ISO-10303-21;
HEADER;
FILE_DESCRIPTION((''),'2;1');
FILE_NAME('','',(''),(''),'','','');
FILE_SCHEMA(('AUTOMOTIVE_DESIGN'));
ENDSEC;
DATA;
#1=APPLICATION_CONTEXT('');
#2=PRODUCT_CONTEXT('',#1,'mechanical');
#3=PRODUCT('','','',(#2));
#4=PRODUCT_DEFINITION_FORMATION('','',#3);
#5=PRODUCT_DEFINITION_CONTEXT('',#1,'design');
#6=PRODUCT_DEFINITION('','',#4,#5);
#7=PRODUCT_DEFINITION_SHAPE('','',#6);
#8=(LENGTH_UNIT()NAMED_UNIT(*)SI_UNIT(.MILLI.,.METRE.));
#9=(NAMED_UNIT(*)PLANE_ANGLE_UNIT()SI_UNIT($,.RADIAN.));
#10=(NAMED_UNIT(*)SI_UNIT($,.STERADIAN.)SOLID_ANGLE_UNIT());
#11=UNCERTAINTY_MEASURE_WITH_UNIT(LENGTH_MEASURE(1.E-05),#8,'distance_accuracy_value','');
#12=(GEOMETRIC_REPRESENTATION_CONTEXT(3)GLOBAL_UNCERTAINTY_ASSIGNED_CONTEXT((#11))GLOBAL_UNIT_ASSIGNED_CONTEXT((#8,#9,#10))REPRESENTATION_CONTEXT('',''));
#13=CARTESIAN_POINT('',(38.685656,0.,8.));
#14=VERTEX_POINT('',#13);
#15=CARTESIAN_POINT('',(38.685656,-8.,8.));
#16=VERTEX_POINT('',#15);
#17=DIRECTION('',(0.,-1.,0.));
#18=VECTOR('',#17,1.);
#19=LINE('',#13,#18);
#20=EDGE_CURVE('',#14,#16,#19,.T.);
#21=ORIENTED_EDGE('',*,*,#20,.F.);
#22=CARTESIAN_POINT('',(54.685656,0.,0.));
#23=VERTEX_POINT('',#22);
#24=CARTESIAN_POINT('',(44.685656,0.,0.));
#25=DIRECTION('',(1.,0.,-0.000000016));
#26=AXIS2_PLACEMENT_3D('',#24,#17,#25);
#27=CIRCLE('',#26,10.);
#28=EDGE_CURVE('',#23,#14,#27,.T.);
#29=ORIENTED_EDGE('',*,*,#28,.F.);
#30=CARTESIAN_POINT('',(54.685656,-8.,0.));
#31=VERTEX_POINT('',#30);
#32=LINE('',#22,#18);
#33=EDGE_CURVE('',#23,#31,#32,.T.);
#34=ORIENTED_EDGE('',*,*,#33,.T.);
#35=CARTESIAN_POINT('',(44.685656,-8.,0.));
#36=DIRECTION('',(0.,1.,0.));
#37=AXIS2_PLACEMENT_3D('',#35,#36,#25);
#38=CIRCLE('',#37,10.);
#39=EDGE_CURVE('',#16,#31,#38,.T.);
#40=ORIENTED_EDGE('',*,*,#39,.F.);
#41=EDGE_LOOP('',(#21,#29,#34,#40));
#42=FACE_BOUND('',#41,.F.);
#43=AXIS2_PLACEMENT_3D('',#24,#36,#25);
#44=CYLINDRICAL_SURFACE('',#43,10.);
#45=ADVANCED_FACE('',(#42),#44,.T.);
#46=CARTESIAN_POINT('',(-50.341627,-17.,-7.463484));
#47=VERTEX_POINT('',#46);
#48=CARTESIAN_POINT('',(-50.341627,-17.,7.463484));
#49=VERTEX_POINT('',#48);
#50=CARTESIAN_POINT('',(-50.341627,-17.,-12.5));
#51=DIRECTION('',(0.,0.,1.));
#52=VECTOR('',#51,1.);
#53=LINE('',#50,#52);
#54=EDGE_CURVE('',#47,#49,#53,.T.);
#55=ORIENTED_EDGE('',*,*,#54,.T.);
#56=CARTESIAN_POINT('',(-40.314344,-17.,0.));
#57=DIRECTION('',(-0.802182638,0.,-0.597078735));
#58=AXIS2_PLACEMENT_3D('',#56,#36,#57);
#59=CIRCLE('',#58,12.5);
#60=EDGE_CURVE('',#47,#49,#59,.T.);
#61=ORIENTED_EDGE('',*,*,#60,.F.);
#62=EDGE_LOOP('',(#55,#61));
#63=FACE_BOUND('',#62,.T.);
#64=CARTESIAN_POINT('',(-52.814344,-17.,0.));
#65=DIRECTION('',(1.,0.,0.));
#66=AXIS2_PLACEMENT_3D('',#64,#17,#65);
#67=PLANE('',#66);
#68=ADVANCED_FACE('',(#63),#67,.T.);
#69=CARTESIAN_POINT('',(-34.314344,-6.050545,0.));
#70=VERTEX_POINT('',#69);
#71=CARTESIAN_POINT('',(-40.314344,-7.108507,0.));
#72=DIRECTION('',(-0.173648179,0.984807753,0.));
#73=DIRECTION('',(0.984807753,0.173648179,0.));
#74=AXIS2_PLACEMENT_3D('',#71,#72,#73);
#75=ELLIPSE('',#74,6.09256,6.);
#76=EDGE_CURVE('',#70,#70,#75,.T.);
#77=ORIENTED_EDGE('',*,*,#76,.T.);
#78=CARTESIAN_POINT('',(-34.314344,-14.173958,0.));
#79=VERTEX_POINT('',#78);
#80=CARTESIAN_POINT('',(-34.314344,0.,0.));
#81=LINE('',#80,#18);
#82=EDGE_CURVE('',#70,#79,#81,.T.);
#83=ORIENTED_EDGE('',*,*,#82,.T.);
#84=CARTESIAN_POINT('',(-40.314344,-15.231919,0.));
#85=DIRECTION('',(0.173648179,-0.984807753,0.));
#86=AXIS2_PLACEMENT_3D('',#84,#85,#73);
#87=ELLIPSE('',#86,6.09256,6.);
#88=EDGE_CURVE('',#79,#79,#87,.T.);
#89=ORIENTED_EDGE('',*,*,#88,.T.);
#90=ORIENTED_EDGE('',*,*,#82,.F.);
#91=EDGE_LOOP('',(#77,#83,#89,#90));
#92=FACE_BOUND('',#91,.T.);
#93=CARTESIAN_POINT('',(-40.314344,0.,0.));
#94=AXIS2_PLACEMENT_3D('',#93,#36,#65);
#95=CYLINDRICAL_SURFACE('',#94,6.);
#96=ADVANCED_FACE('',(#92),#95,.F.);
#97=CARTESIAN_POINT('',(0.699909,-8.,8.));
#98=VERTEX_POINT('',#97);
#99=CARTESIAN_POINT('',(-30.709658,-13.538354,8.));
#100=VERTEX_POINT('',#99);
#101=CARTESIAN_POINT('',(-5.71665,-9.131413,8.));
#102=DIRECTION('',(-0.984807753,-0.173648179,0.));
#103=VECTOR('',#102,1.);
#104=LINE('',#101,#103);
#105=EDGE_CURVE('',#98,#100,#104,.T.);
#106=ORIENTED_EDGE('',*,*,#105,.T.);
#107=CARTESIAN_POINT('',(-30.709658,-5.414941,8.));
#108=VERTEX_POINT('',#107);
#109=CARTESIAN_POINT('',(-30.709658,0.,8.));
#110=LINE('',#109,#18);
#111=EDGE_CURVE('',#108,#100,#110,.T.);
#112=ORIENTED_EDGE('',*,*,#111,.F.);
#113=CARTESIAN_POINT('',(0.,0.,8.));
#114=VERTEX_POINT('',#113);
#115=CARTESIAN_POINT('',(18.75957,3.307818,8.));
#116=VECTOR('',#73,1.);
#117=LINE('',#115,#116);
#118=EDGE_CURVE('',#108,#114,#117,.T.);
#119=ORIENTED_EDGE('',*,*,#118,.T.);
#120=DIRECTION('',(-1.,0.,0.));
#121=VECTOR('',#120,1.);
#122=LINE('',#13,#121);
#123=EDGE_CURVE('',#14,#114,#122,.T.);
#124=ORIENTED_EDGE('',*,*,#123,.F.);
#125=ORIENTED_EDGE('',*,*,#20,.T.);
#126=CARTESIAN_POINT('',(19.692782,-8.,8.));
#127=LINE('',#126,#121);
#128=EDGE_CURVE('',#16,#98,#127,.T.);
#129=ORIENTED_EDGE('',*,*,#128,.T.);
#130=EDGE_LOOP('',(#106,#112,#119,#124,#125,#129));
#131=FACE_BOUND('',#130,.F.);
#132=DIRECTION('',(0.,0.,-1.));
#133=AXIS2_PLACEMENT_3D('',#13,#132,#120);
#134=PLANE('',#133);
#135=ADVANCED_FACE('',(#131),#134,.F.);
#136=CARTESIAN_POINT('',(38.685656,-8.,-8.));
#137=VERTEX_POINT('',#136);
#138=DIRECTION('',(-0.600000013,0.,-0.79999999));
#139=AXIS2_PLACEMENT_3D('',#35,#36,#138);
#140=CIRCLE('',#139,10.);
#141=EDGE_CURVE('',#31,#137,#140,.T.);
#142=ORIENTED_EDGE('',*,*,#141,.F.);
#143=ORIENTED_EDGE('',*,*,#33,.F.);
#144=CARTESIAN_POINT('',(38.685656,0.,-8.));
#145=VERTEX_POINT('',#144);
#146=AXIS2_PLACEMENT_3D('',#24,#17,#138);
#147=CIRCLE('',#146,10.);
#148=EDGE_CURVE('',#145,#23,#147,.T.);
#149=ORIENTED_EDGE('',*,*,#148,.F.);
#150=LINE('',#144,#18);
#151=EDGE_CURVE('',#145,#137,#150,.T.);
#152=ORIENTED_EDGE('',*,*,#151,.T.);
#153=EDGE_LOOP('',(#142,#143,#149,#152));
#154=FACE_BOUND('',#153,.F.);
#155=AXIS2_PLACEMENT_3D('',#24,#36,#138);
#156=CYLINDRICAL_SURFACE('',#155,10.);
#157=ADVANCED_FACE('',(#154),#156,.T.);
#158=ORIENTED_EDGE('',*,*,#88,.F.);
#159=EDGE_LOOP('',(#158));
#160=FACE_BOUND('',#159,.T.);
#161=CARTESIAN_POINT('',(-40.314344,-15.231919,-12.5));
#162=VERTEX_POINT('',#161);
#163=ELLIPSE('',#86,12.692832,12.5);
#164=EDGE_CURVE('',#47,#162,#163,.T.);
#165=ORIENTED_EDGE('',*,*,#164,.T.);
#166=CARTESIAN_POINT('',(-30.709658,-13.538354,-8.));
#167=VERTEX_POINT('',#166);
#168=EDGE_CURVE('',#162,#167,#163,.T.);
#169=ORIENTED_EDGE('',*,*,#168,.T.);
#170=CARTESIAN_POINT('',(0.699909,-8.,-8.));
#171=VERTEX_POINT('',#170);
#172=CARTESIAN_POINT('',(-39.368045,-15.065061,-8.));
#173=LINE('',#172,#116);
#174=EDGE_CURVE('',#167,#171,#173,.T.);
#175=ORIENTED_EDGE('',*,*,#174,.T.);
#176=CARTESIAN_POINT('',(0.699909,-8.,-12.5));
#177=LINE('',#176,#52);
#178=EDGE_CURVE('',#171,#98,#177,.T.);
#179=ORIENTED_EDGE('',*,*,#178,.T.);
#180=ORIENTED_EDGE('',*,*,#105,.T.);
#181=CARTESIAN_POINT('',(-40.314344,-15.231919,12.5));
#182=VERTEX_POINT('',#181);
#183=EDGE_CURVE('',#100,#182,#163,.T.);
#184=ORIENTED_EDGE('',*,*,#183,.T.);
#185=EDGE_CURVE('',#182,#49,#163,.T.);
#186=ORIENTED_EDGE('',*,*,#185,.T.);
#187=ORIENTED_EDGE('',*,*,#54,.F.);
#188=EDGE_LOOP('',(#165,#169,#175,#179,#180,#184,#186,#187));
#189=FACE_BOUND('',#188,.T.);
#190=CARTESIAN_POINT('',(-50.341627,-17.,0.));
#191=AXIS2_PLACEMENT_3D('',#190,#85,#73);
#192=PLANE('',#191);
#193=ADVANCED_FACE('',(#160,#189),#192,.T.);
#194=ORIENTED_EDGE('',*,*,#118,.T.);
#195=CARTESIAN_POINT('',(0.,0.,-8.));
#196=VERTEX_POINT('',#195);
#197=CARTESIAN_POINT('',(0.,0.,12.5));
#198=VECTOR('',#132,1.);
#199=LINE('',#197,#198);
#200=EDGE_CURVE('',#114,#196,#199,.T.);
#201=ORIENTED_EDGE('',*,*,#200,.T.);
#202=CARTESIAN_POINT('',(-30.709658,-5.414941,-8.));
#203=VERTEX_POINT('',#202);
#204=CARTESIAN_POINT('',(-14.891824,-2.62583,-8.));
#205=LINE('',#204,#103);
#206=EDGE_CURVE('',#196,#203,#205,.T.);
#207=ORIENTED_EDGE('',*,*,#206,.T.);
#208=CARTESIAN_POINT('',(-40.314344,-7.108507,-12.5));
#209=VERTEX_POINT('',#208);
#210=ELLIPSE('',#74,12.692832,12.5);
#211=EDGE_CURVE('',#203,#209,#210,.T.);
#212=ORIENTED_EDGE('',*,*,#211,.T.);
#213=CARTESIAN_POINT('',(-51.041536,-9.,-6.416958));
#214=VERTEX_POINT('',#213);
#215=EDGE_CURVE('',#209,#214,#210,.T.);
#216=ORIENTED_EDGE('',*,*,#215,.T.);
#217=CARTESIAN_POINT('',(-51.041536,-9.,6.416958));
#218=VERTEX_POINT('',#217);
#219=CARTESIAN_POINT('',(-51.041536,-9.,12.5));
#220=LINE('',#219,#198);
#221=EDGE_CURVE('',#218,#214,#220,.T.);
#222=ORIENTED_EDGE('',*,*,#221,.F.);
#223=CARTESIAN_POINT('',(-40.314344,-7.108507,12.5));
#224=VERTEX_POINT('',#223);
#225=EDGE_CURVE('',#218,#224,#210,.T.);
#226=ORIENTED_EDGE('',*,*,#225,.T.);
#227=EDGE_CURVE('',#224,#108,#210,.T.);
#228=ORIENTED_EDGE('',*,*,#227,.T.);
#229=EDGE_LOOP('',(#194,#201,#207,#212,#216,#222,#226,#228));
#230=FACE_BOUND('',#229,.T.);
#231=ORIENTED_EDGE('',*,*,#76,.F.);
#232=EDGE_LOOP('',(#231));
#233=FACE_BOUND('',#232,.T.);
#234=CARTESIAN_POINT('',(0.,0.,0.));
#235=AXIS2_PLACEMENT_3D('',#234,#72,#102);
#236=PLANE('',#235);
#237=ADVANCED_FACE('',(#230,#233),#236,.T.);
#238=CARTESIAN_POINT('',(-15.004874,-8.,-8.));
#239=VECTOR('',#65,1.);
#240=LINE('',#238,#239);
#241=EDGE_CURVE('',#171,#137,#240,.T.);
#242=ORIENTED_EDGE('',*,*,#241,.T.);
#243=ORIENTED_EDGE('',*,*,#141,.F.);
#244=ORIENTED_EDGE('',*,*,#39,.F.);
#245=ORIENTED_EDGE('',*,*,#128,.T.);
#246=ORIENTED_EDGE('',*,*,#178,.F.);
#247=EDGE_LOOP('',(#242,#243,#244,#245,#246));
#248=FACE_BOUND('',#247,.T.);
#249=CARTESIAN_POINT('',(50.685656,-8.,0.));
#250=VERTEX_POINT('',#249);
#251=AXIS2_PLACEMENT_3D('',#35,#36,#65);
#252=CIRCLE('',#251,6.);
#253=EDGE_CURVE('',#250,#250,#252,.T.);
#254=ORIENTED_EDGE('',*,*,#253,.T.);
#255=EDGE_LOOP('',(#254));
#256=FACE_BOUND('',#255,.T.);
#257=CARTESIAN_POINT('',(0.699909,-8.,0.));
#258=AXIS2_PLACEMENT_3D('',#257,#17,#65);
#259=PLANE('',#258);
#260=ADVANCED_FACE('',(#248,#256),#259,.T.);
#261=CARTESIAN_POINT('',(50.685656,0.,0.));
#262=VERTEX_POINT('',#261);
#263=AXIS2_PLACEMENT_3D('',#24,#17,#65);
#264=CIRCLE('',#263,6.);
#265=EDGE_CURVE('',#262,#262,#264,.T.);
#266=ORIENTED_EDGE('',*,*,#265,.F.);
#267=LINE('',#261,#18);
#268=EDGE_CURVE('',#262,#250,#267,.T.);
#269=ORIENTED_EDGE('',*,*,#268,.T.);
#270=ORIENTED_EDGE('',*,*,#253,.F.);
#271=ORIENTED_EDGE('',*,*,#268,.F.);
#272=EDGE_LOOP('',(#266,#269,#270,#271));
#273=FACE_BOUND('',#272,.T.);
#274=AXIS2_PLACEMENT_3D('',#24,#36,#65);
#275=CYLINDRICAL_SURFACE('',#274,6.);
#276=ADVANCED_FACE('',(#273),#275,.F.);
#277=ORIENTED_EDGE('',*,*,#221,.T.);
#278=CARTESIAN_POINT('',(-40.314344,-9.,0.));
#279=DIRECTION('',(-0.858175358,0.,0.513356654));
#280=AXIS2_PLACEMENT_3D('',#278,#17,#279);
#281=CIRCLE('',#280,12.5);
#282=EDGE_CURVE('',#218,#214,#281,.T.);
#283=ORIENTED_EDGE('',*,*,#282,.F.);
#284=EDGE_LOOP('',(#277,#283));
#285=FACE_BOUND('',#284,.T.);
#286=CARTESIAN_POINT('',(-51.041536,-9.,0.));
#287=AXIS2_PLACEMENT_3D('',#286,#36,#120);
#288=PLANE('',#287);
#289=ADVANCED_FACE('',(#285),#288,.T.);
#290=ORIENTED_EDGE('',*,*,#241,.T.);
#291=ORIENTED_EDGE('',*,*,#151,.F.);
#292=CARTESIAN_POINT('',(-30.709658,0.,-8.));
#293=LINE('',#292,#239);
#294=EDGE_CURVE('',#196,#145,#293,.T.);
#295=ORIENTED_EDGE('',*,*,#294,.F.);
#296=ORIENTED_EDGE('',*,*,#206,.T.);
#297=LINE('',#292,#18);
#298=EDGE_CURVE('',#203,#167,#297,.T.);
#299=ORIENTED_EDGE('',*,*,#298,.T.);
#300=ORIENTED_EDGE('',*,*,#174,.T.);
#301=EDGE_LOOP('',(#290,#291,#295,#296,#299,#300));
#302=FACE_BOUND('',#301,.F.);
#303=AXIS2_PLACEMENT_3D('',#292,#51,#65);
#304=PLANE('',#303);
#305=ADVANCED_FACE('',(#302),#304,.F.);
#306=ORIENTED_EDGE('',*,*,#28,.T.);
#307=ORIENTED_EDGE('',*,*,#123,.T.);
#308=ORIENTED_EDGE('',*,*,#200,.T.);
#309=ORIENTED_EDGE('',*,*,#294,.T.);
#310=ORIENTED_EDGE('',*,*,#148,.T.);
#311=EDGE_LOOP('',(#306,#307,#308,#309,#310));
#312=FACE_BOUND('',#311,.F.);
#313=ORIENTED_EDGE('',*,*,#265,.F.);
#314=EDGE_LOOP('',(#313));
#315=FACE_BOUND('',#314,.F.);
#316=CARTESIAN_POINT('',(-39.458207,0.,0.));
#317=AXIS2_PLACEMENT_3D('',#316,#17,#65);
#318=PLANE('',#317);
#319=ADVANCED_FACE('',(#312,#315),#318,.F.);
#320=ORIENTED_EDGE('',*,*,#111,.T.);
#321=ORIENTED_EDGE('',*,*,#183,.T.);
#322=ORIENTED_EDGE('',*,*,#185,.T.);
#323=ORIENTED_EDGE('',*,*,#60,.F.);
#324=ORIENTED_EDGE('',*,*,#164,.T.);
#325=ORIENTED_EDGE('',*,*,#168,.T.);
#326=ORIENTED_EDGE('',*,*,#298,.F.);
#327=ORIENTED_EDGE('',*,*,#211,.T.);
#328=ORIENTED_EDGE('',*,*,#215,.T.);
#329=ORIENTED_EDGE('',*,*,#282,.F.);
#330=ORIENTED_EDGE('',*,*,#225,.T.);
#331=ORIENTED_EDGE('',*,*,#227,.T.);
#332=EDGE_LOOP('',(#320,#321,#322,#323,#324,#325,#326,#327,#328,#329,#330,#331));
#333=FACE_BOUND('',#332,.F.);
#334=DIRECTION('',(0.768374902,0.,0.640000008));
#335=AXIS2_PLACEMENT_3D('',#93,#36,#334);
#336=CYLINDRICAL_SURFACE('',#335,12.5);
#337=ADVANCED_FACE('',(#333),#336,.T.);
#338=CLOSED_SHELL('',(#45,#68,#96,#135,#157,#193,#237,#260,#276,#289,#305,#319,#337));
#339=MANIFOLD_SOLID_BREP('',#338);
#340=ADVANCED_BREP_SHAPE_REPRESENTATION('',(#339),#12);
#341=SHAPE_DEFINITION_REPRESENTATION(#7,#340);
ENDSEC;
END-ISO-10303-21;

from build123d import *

# Parameters (mm, degrees)
F0_R     = 6
F1_DEPTH = 25
F3_DEPTH = 12.5


with BuildPart() as f1:
    # F0 (on Front) → F1 (new body)
    with BuildSketch(Plane.XZ):
        with BuildLine():
            ThreePointArc((-30.709658, -8), (-28.560439, -4.253905), (-27.814344, 0))
            ThreePointArc((-27.814344, 0), (-28.560439, 4.253905), (-30.709658, 8))
            ThreePointArc((-30.709658, 8), (-52.814344, 0), (-30.709658, -8))
        make_face()
        with Locations((-40.314344, 0)):
            Circle(F0_R, mode=Mode.SUBTRACT)
        with BuildLine():
            ThreePointArc((-30.709658, 8), (-28.560439, 4.253905), (-27.814344, 0))
            ThreePointArc((-27.814344, 0), (-28.560439, -4.253905), (-30.709658, -8))
            Line((-30.709658, -8), (38.685656, -8))
            ThreePointArc((38.685656, -8), (34.685656, 0), (38.685656, 8))
            Line((38.685656, 8), (-30.709658, 8))
        make_face()
        with BuildLine():
            ThreePointArc((54.685656, 0), (49.157792, 8.944272), (38.685656, 8))
            ThreePointArc((38.685656, 8), (34.685656, 0), (38.685656, -8))
            ThreePointArc((38.685656, -8), (49.157792, -8.944272), (54.685656, 0))
        make_face()
        with Locations((44.685656, 0)):
            Circle(F0_R, mode=Mode.SUBTRACT)
    extrude(amount=F1_DEPTH)

    # F2 (on Top) → F3 (intersect, symmetric)
    with BuildSketch(Plane.XY):
        Polygon((-51.041536, -9), (-52.814344, -9), (-52.814344, -17), (-50.341627, -17), (0.699909, -8), (54.685656, -8), (54.685656, 0), (25.572881, 0), (0, 0), align=None)
    extrude(amount=F3_DEPTH, both=True, mode=Mode.INTERSECT)


solid = f1.part
